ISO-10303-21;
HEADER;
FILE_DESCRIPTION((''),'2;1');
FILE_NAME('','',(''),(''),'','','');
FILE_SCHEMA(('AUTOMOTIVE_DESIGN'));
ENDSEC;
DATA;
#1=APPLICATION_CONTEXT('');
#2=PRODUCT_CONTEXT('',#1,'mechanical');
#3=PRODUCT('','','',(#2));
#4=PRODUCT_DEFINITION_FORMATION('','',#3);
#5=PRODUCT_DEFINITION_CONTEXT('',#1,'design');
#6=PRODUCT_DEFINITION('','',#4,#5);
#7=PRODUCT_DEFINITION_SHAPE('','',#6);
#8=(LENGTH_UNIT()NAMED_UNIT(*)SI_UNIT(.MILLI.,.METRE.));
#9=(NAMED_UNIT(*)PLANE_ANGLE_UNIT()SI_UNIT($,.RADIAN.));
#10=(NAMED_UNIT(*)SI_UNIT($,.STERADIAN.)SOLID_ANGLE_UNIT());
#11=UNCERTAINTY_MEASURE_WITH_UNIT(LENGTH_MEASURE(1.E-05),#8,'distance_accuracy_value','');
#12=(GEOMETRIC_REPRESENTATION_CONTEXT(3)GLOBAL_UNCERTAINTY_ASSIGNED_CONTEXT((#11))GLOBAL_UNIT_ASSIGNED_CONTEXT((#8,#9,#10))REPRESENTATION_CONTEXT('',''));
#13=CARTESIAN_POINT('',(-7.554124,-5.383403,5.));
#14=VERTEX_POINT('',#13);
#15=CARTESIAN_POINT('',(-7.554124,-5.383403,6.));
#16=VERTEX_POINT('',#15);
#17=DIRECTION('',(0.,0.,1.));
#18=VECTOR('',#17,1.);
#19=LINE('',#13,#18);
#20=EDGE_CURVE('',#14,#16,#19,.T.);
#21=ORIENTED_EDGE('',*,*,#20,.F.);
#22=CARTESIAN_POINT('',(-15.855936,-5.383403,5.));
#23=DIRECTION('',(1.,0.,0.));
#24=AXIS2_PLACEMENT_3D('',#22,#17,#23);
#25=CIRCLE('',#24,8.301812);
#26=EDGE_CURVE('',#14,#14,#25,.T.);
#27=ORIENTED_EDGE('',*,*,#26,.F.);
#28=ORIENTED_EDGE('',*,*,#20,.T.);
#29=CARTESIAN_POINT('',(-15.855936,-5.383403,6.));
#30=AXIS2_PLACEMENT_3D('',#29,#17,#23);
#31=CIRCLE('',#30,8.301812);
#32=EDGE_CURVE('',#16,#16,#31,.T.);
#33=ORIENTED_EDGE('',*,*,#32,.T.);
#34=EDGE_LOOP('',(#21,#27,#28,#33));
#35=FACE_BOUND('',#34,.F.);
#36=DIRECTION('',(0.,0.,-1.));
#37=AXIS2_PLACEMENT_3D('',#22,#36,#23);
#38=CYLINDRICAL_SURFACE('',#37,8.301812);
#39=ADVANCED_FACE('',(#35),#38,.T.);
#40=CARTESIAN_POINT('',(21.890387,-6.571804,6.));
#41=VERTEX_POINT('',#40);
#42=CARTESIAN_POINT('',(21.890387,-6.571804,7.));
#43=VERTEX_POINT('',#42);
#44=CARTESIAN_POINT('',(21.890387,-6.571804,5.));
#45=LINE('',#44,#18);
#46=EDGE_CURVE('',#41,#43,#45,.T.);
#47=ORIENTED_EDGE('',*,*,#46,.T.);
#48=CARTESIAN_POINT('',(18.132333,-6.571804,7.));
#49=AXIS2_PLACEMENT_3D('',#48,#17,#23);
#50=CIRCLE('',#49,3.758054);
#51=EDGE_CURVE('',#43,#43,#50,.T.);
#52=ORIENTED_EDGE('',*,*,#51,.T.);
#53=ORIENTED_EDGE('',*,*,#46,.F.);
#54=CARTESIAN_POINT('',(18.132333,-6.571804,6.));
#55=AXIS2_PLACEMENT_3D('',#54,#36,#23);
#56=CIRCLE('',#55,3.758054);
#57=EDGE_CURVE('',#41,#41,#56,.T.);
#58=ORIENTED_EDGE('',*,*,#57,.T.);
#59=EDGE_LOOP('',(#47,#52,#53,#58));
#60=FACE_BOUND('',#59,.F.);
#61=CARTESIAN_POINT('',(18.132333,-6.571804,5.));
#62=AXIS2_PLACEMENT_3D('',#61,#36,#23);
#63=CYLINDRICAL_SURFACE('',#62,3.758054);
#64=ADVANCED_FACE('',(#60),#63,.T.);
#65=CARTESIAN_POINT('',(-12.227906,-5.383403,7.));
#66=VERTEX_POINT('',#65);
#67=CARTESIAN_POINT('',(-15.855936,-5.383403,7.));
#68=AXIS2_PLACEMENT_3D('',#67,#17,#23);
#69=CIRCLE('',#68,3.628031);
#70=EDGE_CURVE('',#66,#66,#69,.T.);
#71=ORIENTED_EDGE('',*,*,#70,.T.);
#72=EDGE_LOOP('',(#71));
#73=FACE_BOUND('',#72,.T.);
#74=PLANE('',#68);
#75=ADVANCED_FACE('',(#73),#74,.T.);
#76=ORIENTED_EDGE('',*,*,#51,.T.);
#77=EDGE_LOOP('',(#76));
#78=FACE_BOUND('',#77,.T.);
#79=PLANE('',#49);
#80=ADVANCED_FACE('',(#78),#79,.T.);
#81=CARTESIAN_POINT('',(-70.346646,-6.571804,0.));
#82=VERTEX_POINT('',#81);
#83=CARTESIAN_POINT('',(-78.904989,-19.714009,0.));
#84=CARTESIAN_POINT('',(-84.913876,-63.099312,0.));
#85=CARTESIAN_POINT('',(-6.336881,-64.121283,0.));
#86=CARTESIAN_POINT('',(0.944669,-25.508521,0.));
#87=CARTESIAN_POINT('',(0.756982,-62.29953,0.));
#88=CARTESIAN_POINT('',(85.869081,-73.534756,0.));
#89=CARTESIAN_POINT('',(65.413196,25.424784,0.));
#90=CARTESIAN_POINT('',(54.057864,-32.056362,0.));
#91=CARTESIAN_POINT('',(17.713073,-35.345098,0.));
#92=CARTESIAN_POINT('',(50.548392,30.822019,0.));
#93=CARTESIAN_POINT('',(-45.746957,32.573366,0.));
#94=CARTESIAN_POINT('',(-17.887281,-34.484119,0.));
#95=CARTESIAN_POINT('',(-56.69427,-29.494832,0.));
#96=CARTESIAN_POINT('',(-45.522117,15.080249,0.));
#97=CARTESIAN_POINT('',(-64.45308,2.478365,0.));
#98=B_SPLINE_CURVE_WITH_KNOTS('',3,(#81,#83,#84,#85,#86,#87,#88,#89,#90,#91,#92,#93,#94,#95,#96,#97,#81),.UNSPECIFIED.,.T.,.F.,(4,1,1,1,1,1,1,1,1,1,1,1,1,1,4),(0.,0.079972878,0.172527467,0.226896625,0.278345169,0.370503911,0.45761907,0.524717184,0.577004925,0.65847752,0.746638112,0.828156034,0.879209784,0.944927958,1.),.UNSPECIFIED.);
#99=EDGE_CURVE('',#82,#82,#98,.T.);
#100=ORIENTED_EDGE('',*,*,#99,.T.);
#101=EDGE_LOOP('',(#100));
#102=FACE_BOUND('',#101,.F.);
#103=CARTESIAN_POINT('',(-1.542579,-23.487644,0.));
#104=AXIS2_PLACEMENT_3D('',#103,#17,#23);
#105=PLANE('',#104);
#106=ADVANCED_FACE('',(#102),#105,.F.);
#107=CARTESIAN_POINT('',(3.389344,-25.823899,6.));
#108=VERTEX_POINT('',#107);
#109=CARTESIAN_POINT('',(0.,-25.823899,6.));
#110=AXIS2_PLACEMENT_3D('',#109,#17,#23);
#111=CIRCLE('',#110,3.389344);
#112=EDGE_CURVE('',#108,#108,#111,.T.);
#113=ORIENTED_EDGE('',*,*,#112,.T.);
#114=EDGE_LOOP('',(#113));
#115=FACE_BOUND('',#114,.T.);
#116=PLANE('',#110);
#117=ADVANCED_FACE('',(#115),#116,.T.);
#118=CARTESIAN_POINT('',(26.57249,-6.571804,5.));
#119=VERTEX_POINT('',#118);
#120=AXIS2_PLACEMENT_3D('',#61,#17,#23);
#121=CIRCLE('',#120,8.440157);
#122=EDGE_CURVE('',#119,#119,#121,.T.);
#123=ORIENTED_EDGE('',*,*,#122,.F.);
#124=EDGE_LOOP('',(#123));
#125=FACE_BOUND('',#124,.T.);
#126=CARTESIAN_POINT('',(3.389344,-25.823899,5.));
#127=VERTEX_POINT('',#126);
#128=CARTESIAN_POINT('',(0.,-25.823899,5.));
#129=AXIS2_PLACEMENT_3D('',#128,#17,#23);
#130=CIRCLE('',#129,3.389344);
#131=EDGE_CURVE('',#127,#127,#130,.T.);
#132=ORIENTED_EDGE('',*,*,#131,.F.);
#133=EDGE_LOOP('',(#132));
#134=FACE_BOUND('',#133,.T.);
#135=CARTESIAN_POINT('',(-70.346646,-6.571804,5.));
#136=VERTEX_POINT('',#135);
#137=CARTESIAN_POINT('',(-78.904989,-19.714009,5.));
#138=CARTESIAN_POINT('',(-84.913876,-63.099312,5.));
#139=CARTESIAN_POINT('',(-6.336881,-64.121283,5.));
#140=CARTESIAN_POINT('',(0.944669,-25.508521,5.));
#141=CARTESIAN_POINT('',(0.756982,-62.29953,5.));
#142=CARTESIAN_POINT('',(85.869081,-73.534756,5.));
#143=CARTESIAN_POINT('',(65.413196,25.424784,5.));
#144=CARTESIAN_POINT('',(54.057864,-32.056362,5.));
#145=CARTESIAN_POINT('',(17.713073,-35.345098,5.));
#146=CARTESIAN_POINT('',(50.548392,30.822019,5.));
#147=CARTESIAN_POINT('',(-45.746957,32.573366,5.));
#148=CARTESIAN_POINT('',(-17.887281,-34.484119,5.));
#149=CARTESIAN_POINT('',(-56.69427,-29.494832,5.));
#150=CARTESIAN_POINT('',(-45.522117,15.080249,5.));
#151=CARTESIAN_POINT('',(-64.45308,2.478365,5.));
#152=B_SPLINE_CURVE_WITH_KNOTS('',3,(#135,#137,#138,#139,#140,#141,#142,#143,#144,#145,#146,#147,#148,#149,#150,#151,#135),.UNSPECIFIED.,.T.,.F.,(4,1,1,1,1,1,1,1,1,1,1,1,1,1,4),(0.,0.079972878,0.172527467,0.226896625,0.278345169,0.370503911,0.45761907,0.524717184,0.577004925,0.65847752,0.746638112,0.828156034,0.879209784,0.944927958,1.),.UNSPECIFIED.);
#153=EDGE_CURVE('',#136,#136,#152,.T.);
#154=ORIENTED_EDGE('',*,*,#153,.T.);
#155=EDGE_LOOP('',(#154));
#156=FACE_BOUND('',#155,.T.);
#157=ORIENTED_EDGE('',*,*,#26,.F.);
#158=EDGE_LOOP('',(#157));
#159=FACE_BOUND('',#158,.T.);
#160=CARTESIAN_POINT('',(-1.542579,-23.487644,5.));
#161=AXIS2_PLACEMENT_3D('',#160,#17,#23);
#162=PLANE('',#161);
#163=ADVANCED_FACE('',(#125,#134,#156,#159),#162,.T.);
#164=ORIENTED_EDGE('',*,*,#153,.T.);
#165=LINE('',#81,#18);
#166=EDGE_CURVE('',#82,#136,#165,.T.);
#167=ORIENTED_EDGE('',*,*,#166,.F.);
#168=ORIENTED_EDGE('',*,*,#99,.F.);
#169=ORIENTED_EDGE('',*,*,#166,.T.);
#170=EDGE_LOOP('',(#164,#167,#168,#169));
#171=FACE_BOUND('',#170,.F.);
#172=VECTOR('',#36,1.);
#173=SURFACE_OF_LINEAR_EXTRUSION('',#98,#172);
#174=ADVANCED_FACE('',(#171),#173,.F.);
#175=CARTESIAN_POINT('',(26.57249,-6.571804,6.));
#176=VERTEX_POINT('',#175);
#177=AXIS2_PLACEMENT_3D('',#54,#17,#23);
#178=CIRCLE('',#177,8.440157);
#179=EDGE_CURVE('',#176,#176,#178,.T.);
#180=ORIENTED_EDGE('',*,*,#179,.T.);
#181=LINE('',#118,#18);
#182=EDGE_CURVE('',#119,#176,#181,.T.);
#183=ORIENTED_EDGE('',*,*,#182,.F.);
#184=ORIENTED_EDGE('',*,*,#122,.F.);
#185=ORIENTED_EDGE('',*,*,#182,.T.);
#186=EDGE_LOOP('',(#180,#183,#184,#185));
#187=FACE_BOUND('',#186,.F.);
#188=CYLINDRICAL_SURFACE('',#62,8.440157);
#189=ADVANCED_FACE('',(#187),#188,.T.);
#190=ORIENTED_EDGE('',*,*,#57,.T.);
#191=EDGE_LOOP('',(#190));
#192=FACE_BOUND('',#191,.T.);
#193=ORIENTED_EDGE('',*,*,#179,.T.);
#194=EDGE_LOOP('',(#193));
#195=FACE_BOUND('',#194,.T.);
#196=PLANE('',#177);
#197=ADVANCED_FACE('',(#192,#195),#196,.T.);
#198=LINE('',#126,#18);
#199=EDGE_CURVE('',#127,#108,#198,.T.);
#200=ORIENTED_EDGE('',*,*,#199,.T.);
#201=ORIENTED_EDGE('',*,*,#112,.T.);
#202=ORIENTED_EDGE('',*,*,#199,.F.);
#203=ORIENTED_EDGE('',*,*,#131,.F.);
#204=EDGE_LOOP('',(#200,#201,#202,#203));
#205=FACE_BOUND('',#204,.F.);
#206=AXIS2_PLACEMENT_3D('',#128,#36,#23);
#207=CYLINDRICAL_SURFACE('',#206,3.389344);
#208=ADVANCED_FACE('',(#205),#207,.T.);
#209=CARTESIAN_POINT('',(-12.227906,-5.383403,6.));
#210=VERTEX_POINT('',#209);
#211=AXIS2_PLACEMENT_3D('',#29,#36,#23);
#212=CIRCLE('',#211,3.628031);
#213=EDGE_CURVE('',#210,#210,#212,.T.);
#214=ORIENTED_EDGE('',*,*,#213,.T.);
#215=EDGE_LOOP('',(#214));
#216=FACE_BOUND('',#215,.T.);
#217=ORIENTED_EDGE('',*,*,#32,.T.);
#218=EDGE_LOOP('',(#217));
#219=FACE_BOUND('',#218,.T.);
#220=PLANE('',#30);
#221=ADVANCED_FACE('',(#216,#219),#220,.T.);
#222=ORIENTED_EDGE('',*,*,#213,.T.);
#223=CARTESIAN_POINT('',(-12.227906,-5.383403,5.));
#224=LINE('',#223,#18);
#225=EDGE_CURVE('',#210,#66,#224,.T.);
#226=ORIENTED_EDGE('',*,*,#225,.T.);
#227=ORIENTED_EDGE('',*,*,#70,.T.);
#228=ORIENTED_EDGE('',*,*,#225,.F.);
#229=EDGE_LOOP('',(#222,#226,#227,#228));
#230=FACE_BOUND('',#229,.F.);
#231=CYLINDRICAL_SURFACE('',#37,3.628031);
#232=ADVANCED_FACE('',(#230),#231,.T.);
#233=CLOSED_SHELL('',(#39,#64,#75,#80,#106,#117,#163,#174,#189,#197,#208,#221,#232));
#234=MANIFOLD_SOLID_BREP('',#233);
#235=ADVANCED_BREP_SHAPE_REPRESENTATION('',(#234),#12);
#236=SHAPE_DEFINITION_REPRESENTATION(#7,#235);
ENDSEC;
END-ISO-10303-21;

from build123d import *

# Parameters (mm, degrees)
F1_DEPTH  = 5
F2_R      = 8.4401570695
F3_DEPTH  = 1
F4_R      = 8.3018123318
F5_DEPTH  = 1
F6_R      = 3.6280306302
F7_DEPTH  = 2
F8_R      = 3.7580541328
F9_DEPTH  = 2
F10_R     = 3.3893435668
F11_DEPTH = 1


with BuildPart() as f1:
    # F0 (on Top) → F1 (new body)
    with BuildSketch(Plane.XY):
        with BuildLine():
            add(Edge.make_bspline(
                [(-70.3466460109, -6.5718041733), (-78.9049886752, -19.7140091868), (-84.9138762485, -63.0993123727), (-6.3368813846, -64.1212828592), (0.9446692075, -25.5085205919), (0.7569815935, -62.2995303888), (85.8690807735, -73.5347562149), (65.4131958228, 25.424783983), (54.0578644574, -32.0563623487), (17.7130725176, -35.345098284), (50.54839247, 30.8220193189), (-45.7469565601, 32.57336646), (-17.8872813036, -34.4841188982), (-56.6942698273, -29.4948318872), (-45.5221165827, 15.080248567), (-64.4530804258, 2.4783647925), (-70.3466460109, -6.5718041733)],
                knots=[0, 0, 0, 0, 0.0799728781, 0.1725274668, 0.2268966248, 0.2783451686, 0.3705039113, 0.4576190697, 0.5247171836, 0.5770049251, 0.6584775198, 0.7466381118, 0.8281560338, 0.8792097842, 0.9449279585, 1, 1, 1, 1], degree=3))
        make_face()
    extrude(amount=F1_DEPTH)

    # F2 (on face) → F3 (join)
    with BuildSketch(Plane.XY.offset(5)):
        with Locations((18.1323327124, -6.5718041733)):
            Circle(F2_R)
    extrude(amount=F3_DEPTH)

    # F4 (on face) → F5 (join)
    with BuildSketch(Plane.XY.offset(5)):
        with Locations((-15.8559363335, -5.3834030405)):
            Circle(F4_R)
    extrude(amount=F5_DEPTH)

    # F6 (on face) → F7 (join)
    with BuildSketch(Plane.XY.offset(5)):
        with Locations((-15.8559363335, -5.3834030405)):
            Circle(F6_R)
    extrude(amount=F7_DEPTH)

    # F8 (on face) → F9 (join)
    with BuildSketch(Plane.XY.offset(5)):
        with Locations((18.1323327124, -6.5718041733)):
            Circle(F8_R)
    extrude(amount=F9_DEPTH)

    # F10 (on face) → F11 (join)
    with BuildSketch(Plane.XY.offset(5)):
        with Locations((0, -25.8238986135)):
            Circle(F10_R)
    extrude(amount=F11_DEPTH)


solid = f1.part
